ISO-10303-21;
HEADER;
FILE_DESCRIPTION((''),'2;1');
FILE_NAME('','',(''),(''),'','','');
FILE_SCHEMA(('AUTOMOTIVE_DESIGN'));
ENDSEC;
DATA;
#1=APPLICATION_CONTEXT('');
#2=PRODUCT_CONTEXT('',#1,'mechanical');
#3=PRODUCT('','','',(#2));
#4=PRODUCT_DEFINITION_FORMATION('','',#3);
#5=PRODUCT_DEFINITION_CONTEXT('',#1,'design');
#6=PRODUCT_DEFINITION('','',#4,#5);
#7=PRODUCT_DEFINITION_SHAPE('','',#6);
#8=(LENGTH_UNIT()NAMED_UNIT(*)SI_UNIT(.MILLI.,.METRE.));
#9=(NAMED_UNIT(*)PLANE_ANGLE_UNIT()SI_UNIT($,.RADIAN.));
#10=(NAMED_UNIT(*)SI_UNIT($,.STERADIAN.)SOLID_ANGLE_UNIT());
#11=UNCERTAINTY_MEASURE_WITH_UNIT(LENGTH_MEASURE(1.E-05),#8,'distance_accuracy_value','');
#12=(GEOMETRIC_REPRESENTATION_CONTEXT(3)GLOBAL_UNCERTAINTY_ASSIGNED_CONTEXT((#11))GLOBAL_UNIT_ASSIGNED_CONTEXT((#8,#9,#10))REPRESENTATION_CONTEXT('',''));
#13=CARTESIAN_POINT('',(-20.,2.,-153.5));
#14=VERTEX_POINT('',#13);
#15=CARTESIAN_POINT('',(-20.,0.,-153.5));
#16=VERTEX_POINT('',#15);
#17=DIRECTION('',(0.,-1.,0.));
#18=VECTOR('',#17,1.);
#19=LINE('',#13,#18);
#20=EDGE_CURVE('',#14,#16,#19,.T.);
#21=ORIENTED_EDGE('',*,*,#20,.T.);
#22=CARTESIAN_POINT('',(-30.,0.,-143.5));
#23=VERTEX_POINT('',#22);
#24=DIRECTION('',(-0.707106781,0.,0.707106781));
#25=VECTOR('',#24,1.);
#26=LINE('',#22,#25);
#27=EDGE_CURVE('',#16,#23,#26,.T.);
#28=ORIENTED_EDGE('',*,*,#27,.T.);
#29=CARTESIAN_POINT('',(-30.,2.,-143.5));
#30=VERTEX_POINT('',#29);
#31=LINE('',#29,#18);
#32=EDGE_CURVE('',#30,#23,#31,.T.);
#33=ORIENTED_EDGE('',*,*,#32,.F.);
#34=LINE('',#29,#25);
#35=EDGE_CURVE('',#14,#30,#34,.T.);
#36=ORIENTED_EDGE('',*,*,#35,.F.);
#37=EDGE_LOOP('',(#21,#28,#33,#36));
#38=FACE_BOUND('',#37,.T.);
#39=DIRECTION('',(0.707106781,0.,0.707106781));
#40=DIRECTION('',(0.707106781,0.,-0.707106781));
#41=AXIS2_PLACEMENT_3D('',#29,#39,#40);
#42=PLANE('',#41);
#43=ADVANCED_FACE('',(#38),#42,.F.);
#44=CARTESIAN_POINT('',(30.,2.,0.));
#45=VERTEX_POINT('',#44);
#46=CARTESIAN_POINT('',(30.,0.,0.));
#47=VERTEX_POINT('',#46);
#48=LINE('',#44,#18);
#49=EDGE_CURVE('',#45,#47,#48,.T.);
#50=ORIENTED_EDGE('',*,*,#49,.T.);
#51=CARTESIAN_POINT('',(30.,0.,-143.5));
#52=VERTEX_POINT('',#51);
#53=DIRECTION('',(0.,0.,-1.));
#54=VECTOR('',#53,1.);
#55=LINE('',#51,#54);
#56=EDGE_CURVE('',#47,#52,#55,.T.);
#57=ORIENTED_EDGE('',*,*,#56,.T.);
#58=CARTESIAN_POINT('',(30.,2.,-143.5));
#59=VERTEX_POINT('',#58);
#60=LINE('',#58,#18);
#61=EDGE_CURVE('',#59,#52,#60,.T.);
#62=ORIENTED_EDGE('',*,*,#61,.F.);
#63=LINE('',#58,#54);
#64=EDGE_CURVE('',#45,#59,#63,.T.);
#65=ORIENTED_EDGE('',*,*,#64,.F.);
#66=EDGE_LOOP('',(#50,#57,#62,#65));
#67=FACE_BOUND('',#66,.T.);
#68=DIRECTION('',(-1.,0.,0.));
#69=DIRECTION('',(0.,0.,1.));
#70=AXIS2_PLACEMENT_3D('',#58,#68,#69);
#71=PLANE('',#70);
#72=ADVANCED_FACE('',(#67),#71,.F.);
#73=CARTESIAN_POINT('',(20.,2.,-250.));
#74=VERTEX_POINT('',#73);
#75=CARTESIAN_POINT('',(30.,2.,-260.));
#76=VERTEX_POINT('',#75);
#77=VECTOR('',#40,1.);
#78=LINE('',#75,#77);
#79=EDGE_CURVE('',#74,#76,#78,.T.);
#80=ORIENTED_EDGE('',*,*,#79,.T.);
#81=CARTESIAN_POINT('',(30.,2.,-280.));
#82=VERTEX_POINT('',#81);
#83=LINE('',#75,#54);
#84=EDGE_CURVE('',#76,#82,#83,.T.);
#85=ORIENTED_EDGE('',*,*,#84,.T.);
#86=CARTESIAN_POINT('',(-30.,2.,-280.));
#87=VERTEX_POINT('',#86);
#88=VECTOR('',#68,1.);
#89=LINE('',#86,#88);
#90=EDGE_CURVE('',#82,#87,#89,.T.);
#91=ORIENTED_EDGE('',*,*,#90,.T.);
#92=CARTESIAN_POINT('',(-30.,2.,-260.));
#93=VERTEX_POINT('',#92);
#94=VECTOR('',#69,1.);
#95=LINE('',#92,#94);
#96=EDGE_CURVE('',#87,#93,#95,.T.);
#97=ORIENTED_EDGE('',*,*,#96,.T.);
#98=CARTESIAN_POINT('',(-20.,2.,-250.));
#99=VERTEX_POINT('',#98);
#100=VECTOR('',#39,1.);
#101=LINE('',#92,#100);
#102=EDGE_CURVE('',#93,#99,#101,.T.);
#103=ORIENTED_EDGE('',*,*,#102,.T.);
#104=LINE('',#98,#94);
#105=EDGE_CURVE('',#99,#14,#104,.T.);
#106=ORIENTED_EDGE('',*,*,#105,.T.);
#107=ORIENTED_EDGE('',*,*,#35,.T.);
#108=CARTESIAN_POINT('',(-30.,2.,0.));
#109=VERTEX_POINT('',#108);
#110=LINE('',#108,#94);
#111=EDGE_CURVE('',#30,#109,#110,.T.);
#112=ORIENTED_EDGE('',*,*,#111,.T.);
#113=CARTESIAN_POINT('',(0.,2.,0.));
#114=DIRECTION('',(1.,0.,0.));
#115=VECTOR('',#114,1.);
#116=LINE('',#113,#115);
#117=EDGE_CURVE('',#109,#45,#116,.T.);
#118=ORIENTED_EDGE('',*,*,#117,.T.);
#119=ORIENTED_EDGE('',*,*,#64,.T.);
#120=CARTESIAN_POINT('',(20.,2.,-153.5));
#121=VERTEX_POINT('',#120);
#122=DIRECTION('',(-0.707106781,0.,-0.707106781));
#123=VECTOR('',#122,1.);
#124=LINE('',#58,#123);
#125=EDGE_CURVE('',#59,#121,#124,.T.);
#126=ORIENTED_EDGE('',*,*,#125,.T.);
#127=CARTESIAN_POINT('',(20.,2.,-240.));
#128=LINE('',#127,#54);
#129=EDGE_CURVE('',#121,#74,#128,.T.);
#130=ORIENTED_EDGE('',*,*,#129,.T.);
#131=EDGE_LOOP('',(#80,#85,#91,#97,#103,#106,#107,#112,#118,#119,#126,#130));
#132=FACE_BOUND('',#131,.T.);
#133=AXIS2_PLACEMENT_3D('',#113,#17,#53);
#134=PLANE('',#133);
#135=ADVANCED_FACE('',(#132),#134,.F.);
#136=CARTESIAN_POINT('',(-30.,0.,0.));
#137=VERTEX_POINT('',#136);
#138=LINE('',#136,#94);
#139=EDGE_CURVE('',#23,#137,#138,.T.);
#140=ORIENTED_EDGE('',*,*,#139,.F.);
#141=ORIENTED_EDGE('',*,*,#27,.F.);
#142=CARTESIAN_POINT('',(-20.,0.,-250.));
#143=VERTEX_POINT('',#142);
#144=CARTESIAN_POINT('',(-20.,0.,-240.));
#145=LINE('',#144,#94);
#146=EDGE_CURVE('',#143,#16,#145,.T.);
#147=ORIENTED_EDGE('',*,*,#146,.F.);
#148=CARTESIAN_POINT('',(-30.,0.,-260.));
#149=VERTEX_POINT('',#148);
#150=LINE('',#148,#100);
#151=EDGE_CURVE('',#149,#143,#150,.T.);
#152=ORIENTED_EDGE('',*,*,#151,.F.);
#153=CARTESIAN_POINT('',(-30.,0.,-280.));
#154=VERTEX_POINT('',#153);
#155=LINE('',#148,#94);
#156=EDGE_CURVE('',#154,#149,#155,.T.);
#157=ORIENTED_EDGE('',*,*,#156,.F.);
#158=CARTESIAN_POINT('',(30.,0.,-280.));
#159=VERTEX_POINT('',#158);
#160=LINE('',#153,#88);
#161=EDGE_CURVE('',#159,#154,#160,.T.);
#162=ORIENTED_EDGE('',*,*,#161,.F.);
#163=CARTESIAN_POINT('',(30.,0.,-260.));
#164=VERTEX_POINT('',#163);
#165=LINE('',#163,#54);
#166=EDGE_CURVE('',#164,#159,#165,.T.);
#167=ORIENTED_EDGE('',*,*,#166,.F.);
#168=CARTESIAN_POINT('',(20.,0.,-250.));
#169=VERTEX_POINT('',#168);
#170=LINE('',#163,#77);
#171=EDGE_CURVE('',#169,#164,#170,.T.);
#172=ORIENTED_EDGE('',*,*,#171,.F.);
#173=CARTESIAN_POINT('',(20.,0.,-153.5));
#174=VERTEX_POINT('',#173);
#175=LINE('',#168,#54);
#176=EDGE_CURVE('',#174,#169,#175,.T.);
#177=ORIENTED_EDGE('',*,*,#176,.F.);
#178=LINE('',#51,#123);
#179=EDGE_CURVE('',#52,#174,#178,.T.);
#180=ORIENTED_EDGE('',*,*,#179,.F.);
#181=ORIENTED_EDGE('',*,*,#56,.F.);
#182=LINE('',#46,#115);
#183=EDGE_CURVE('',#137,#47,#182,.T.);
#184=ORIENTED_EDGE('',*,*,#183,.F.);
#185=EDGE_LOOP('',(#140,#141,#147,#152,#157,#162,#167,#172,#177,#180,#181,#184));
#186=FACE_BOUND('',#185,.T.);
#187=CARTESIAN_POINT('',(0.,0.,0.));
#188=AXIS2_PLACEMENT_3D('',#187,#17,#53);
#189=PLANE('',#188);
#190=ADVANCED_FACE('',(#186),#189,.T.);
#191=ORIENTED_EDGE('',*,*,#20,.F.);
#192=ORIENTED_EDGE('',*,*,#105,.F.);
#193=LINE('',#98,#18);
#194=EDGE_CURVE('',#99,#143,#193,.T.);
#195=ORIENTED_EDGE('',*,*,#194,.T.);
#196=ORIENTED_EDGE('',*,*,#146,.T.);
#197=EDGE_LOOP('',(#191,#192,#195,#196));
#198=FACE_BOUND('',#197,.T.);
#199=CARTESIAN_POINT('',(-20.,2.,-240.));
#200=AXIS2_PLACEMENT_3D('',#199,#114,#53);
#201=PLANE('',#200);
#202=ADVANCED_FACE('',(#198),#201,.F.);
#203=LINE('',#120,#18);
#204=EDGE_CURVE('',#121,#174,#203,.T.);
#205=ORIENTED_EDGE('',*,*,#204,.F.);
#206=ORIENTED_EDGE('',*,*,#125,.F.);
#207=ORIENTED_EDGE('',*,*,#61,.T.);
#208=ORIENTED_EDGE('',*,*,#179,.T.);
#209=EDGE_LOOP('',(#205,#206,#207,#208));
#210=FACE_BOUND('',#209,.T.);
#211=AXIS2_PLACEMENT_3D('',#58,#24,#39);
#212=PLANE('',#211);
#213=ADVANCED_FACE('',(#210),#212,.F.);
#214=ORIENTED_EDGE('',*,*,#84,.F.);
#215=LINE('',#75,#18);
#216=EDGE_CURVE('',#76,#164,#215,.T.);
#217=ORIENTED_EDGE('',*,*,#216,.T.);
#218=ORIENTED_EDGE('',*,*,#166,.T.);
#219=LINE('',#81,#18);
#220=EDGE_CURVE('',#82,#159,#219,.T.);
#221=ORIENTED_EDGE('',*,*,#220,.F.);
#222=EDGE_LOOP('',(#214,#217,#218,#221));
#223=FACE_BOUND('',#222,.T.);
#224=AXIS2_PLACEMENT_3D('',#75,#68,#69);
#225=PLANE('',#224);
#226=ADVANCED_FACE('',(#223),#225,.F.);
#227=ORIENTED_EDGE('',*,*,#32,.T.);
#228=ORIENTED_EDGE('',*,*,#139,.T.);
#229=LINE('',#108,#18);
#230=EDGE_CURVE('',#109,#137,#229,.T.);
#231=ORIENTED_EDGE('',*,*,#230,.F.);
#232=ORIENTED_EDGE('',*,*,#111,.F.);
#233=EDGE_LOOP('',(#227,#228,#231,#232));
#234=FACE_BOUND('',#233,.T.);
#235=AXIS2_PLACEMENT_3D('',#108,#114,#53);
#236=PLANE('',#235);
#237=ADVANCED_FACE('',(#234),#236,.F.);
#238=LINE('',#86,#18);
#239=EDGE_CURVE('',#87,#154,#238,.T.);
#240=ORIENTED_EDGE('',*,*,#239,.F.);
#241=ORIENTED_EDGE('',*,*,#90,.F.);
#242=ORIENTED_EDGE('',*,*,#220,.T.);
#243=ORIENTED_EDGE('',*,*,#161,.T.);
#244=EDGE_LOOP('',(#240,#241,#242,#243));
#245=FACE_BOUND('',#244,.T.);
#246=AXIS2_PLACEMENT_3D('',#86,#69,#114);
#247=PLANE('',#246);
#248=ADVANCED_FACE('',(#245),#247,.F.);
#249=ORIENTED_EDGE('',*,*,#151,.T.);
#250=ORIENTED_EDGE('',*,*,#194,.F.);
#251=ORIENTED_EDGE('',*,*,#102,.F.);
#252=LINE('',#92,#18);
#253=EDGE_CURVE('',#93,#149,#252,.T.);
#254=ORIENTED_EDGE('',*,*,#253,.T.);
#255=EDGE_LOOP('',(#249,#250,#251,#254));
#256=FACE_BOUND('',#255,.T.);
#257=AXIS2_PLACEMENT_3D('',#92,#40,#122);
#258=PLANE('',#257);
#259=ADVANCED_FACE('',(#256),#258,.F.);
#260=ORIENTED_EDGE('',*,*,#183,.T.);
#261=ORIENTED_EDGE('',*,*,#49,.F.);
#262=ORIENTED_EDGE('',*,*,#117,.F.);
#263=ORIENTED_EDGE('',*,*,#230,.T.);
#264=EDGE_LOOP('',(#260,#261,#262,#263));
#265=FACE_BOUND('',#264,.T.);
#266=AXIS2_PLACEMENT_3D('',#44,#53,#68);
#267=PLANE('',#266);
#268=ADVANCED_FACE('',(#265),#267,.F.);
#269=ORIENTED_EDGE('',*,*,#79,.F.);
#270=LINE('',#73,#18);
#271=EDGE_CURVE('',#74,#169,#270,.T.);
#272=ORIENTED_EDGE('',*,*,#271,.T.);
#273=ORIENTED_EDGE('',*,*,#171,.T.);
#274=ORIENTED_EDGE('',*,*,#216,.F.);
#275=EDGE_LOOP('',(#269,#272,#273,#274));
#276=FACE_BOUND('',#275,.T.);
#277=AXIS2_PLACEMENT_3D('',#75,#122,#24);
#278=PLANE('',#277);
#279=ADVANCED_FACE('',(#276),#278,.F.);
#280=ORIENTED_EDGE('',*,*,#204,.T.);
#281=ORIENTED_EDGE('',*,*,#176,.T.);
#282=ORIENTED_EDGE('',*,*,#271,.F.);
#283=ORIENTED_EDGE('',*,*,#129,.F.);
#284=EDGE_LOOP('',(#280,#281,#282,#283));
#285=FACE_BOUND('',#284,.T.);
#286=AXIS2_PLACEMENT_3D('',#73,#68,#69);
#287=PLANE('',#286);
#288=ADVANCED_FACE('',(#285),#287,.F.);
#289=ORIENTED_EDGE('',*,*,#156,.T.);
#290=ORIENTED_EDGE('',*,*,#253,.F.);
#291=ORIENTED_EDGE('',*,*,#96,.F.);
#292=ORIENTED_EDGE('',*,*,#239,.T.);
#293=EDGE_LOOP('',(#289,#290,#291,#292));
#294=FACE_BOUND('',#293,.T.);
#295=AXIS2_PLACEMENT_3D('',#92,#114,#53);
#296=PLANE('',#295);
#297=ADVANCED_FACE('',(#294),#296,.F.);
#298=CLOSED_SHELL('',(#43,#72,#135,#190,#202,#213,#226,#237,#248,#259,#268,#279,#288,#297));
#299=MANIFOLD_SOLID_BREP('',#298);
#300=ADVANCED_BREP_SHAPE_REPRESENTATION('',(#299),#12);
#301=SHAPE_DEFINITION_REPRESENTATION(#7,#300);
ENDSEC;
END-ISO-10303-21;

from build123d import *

# Parameters (mm, degrees)
EXTRUDE_1_DEPTH = 2


with BuildPart() as part:
    # 草图1 → 凸台-拉伸1 (new body)
    with BuildSketch(Plane(origin=(0, 0, 0), x_dir=(1, 0, 0), z_dir=(0, 1, 0))):
        Polygon((30, 260), (30, 280), (-30, 280), (-30, 260), (-20, 250), (-20, 240), (-20, 153.5), (-30, 143.5), (-30, 0), (0, 0), (30, 0), (30, 143.5), (20, 153.5), (20, 240), (20, 250), align=None)
    extrude(amount=EXTRUDE_1_DEPTH)


solid = part.part
